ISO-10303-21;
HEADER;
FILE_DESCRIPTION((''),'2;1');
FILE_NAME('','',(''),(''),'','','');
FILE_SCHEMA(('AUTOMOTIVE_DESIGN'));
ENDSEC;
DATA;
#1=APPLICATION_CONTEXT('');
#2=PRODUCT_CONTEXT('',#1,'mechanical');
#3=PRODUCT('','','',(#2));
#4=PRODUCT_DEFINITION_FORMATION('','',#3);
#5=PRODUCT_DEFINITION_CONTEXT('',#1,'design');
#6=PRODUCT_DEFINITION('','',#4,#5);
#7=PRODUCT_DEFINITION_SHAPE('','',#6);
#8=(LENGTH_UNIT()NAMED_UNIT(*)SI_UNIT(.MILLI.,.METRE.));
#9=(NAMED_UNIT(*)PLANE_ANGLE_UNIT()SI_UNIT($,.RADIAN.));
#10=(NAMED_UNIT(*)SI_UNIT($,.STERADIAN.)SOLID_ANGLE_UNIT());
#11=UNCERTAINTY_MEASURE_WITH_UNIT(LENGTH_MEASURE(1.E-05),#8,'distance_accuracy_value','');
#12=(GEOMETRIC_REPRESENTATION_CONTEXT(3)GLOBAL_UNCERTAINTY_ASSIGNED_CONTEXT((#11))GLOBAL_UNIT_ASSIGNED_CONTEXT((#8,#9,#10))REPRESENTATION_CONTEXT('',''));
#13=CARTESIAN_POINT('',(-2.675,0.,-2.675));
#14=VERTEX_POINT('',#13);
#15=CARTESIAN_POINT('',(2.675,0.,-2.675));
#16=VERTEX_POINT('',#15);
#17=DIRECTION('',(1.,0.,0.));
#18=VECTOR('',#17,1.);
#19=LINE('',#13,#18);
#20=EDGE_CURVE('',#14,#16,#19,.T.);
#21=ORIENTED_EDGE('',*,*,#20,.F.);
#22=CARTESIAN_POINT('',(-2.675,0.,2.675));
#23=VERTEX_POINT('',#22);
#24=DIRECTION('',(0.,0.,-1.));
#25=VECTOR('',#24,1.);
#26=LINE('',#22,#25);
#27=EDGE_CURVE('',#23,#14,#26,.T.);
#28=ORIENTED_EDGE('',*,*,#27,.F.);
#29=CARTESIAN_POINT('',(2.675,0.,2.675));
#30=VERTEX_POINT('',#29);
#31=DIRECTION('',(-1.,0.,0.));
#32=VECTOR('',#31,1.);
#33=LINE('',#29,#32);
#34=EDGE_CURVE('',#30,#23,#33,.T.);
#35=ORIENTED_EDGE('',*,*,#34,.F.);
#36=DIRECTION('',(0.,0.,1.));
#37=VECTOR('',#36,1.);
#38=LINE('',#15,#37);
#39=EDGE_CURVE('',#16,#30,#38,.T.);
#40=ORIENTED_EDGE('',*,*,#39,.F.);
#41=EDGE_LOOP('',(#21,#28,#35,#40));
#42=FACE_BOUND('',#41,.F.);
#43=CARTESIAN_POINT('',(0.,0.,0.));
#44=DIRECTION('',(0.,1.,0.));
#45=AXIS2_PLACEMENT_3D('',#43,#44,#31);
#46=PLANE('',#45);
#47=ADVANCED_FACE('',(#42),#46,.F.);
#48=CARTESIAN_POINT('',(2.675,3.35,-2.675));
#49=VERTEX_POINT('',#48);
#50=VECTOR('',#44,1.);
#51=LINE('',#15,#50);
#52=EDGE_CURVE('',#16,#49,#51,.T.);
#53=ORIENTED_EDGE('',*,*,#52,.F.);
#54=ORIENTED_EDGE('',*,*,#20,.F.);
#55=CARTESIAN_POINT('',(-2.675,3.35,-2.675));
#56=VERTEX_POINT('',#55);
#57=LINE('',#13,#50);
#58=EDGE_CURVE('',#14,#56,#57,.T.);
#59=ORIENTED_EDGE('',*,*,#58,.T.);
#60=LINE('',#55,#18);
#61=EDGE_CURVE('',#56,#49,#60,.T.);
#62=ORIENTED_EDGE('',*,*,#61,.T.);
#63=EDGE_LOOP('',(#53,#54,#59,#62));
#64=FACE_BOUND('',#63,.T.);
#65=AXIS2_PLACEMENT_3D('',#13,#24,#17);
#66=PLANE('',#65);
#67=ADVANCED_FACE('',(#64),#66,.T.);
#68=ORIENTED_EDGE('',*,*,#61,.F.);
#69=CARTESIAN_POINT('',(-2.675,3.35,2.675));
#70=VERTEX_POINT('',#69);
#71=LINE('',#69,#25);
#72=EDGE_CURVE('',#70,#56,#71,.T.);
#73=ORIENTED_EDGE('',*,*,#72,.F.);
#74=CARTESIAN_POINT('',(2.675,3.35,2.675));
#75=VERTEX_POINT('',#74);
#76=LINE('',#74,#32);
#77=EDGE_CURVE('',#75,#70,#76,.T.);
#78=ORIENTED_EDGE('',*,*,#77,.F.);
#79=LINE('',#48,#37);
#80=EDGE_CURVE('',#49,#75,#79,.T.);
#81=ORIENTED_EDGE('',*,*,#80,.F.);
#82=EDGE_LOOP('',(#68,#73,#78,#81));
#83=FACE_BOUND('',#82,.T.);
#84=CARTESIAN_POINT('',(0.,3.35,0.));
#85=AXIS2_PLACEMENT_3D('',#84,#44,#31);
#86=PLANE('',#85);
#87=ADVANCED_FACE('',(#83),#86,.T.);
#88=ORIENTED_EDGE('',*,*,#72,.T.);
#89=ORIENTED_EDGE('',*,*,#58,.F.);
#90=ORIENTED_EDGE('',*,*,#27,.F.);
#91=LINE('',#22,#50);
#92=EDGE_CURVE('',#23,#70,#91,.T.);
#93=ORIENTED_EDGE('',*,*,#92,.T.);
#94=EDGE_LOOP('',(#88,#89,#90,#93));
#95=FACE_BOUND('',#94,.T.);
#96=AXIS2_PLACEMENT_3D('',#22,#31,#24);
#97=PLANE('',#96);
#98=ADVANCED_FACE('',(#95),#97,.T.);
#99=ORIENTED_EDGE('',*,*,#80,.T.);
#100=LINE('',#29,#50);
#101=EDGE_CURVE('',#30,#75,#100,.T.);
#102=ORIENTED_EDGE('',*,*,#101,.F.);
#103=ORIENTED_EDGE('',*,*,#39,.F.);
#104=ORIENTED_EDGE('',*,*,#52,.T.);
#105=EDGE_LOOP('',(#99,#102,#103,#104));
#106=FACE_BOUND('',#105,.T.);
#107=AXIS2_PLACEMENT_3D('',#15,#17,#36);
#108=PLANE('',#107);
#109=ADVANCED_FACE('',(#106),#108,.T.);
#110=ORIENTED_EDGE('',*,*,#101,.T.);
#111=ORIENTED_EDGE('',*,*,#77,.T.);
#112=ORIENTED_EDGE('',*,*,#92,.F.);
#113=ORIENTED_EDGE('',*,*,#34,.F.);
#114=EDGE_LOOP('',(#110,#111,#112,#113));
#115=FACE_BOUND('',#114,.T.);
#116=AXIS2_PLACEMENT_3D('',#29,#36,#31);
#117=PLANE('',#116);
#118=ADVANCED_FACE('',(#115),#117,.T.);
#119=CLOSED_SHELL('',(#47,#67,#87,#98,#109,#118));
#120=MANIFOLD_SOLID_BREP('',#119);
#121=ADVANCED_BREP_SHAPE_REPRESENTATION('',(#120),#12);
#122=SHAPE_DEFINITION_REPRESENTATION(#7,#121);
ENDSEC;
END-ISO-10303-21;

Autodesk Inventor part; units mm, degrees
ref_plane "YZ Plane" through (0, 0, 0) normal (1, 0, 0) x (0, 1, 0)
ref_plane "XZ Plane" through (0, 0, 0) normal (0, 1, 0) x (-1, 0, 0)
ref_plane "XY Plane" through (0, 0, 0) normal (0, 0, 1) x (1, 0, 0)
sketch "Sketch1" plane through (0, 0, 0) normal (0, 1, 0) x (-1, 0, 0)
  line L0 (-2.675, 2.675) -> (2.675, 2.675)
  line L1 (2.675, 2.675) -> (2.675, -2.675)
  line L2 (2.675, -2.675) -> (-2.675, -2.675)
  line L3 (-2.675, -2.675) -> (-2.675, 2.675)
  point P0 (0, 0)
  point P1 (0, -2.675)
  point P2 (2.675, 0)
  dimension "d0" = 5.35
extrude "Extrusion1" add sketch "Sketch1" along normal blind 3.35
equation "\"d0\" = magnet_A"
equation "\"d1\" = magnet_B"
equation "\"magnet_A\" = 5.35"
equation "\"magnet_B\" = 3.35"
properties part number "MAGNET"
